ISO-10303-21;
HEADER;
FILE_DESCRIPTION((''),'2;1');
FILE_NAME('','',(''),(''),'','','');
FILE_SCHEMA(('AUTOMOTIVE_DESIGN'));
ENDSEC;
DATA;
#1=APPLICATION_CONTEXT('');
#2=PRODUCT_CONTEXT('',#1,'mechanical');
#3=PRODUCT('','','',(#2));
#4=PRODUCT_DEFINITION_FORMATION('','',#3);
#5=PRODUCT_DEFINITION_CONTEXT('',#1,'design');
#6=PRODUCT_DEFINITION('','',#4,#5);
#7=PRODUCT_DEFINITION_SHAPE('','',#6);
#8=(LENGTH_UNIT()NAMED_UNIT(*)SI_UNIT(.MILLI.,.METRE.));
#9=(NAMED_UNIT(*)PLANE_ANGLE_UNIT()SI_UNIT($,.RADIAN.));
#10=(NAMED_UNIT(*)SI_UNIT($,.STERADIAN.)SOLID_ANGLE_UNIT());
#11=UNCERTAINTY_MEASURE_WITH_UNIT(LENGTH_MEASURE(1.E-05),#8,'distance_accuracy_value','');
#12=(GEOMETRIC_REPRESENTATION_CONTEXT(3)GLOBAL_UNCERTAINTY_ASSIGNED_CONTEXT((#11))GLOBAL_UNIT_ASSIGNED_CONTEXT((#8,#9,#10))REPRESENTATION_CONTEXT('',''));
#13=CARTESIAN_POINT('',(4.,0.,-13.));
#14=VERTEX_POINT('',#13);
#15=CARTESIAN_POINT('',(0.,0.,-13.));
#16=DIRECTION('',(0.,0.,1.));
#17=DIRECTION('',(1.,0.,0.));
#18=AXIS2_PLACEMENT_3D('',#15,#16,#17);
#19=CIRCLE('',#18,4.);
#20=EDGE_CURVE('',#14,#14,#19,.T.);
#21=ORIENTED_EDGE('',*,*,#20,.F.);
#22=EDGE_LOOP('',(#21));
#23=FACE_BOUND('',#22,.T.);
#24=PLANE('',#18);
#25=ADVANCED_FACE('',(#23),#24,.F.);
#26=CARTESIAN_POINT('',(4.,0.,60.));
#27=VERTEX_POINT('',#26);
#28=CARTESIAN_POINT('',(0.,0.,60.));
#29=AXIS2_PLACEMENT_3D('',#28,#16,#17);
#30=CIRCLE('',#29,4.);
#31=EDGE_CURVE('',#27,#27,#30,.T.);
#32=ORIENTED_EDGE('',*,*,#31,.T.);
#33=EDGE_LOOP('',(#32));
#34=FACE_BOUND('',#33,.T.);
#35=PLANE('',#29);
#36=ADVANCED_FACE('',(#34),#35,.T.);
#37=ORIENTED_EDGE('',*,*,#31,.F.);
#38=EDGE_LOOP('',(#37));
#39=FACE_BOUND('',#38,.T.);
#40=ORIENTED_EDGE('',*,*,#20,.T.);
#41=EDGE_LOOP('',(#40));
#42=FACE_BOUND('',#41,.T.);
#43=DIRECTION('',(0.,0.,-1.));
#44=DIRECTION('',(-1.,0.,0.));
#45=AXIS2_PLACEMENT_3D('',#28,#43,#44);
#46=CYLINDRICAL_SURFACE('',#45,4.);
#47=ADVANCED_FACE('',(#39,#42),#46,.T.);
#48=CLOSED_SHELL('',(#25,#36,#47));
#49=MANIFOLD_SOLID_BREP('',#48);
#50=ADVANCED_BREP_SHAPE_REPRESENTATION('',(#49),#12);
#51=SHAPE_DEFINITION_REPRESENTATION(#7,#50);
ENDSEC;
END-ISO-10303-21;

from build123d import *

# Parameters (mm, degrees)
SKETCH1_R           = 4
BOSS_EXTRUDE1_DEPTH = 60
SKETCH2_R           = 4
BOSS_EXTRUDE2_DEPTH = 13


with BuildPart() as part:
    # Sketch1 → Boss-Extrude1 (new body)
    with BuildSketch(Plane.XY):
        Circle(SKETCH1_R)
    extrude(amount=BOSS_EXTRUDE1_DEPTH)

    # Sketch2 → Boss-Extrude2 (add)
    with BuildSketch(Plane.XY):
        Circle(SKETCH2_R)
    extrude(amount=-BOSS_EXTRUDE2_DEPTH)


solid = part.part
